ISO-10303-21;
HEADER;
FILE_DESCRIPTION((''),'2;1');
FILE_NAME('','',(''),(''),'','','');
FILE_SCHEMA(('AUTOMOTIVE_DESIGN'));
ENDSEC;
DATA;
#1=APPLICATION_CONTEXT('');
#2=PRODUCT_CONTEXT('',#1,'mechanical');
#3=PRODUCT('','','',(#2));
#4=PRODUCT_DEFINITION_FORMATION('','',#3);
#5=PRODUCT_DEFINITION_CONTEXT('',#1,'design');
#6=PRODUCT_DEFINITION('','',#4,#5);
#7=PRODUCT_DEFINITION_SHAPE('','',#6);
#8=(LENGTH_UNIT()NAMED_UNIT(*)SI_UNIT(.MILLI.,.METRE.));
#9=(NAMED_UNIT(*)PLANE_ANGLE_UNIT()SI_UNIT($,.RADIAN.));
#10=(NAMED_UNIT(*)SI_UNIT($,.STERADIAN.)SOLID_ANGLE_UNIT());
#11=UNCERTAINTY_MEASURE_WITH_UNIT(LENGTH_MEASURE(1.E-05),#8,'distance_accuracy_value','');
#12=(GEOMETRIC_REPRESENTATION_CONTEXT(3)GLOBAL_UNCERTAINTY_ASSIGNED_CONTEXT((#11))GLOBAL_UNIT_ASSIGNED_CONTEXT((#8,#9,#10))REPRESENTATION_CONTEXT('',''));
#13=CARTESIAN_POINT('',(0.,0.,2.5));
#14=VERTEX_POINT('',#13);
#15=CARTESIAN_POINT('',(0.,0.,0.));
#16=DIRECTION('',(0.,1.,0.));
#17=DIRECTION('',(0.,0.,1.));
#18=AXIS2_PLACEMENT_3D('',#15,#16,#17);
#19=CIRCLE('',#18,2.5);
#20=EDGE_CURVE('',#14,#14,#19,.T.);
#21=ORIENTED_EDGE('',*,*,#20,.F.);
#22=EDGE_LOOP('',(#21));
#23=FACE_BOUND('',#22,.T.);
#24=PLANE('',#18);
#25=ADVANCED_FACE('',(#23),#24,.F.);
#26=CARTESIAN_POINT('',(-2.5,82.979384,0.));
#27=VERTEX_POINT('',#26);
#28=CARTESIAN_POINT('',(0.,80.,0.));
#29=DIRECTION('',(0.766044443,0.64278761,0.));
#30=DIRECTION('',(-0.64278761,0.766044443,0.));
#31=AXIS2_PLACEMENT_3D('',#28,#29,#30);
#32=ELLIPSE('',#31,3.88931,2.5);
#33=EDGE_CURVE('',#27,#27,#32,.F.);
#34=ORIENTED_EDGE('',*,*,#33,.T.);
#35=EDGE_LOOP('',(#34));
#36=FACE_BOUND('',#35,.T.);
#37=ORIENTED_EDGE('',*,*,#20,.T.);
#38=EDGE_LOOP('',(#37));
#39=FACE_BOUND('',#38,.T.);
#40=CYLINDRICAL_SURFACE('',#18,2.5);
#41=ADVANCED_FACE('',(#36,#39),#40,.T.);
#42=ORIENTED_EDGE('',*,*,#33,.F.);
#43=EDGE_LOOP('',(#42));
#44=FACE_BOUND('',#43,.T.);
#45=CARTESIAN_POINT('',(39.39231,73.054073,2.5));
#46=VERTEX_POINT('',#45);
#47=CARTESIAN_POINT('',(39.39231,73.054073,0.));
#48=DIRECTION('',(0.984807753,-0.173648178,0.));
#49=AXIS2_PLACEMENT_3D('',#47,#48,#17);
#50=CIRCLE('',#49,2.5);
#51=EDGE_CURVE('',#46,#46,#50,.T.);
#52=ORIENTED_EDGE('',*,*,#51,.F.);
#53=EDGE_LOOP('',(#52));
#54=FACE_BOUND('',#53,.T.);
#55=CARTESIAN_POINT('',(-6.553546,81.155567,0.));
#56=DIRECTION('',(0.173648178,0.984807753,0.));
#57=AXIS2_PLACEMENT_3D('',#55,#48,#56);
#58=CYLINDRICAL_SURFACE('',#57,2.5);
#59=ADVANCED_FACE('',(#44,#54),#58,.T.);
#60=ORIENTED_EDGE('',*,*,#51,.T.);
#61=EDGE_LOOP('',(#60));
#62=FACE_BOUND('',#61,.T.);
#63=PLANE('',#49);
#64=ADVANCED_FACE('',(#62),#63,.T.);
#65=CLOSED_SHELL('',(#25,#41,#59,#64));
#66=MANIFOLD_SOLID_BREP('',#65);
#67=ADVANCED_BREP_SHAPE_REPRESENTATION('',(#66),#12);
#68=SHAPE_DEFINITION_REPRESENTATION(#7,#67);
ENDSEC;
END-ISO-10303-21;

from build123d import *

# Parameters (mm, degrees)
SKETCH_5_R = 2.5


with BuildPart() as part:
    # 扫描1: sweep along a path in 草图6
    with BuildLine(Plane.XY) as sweep_1_path:
        Line((0, 0), (0, 80))
        Line((0, 80), (39.39231012, 73.054072893))
    # 草图5 → 扫描1 (sweep)
    with BuildSketch(Plane(origin=(0, 0, 0), x_dir=(1, 0, 0), z_dir=(0, 1, 0))):
        Circle(SKETCH_5_R)
    sweep(path=sweep_1_path.line, transition=Transition.RIGHT)


solid = part.part
